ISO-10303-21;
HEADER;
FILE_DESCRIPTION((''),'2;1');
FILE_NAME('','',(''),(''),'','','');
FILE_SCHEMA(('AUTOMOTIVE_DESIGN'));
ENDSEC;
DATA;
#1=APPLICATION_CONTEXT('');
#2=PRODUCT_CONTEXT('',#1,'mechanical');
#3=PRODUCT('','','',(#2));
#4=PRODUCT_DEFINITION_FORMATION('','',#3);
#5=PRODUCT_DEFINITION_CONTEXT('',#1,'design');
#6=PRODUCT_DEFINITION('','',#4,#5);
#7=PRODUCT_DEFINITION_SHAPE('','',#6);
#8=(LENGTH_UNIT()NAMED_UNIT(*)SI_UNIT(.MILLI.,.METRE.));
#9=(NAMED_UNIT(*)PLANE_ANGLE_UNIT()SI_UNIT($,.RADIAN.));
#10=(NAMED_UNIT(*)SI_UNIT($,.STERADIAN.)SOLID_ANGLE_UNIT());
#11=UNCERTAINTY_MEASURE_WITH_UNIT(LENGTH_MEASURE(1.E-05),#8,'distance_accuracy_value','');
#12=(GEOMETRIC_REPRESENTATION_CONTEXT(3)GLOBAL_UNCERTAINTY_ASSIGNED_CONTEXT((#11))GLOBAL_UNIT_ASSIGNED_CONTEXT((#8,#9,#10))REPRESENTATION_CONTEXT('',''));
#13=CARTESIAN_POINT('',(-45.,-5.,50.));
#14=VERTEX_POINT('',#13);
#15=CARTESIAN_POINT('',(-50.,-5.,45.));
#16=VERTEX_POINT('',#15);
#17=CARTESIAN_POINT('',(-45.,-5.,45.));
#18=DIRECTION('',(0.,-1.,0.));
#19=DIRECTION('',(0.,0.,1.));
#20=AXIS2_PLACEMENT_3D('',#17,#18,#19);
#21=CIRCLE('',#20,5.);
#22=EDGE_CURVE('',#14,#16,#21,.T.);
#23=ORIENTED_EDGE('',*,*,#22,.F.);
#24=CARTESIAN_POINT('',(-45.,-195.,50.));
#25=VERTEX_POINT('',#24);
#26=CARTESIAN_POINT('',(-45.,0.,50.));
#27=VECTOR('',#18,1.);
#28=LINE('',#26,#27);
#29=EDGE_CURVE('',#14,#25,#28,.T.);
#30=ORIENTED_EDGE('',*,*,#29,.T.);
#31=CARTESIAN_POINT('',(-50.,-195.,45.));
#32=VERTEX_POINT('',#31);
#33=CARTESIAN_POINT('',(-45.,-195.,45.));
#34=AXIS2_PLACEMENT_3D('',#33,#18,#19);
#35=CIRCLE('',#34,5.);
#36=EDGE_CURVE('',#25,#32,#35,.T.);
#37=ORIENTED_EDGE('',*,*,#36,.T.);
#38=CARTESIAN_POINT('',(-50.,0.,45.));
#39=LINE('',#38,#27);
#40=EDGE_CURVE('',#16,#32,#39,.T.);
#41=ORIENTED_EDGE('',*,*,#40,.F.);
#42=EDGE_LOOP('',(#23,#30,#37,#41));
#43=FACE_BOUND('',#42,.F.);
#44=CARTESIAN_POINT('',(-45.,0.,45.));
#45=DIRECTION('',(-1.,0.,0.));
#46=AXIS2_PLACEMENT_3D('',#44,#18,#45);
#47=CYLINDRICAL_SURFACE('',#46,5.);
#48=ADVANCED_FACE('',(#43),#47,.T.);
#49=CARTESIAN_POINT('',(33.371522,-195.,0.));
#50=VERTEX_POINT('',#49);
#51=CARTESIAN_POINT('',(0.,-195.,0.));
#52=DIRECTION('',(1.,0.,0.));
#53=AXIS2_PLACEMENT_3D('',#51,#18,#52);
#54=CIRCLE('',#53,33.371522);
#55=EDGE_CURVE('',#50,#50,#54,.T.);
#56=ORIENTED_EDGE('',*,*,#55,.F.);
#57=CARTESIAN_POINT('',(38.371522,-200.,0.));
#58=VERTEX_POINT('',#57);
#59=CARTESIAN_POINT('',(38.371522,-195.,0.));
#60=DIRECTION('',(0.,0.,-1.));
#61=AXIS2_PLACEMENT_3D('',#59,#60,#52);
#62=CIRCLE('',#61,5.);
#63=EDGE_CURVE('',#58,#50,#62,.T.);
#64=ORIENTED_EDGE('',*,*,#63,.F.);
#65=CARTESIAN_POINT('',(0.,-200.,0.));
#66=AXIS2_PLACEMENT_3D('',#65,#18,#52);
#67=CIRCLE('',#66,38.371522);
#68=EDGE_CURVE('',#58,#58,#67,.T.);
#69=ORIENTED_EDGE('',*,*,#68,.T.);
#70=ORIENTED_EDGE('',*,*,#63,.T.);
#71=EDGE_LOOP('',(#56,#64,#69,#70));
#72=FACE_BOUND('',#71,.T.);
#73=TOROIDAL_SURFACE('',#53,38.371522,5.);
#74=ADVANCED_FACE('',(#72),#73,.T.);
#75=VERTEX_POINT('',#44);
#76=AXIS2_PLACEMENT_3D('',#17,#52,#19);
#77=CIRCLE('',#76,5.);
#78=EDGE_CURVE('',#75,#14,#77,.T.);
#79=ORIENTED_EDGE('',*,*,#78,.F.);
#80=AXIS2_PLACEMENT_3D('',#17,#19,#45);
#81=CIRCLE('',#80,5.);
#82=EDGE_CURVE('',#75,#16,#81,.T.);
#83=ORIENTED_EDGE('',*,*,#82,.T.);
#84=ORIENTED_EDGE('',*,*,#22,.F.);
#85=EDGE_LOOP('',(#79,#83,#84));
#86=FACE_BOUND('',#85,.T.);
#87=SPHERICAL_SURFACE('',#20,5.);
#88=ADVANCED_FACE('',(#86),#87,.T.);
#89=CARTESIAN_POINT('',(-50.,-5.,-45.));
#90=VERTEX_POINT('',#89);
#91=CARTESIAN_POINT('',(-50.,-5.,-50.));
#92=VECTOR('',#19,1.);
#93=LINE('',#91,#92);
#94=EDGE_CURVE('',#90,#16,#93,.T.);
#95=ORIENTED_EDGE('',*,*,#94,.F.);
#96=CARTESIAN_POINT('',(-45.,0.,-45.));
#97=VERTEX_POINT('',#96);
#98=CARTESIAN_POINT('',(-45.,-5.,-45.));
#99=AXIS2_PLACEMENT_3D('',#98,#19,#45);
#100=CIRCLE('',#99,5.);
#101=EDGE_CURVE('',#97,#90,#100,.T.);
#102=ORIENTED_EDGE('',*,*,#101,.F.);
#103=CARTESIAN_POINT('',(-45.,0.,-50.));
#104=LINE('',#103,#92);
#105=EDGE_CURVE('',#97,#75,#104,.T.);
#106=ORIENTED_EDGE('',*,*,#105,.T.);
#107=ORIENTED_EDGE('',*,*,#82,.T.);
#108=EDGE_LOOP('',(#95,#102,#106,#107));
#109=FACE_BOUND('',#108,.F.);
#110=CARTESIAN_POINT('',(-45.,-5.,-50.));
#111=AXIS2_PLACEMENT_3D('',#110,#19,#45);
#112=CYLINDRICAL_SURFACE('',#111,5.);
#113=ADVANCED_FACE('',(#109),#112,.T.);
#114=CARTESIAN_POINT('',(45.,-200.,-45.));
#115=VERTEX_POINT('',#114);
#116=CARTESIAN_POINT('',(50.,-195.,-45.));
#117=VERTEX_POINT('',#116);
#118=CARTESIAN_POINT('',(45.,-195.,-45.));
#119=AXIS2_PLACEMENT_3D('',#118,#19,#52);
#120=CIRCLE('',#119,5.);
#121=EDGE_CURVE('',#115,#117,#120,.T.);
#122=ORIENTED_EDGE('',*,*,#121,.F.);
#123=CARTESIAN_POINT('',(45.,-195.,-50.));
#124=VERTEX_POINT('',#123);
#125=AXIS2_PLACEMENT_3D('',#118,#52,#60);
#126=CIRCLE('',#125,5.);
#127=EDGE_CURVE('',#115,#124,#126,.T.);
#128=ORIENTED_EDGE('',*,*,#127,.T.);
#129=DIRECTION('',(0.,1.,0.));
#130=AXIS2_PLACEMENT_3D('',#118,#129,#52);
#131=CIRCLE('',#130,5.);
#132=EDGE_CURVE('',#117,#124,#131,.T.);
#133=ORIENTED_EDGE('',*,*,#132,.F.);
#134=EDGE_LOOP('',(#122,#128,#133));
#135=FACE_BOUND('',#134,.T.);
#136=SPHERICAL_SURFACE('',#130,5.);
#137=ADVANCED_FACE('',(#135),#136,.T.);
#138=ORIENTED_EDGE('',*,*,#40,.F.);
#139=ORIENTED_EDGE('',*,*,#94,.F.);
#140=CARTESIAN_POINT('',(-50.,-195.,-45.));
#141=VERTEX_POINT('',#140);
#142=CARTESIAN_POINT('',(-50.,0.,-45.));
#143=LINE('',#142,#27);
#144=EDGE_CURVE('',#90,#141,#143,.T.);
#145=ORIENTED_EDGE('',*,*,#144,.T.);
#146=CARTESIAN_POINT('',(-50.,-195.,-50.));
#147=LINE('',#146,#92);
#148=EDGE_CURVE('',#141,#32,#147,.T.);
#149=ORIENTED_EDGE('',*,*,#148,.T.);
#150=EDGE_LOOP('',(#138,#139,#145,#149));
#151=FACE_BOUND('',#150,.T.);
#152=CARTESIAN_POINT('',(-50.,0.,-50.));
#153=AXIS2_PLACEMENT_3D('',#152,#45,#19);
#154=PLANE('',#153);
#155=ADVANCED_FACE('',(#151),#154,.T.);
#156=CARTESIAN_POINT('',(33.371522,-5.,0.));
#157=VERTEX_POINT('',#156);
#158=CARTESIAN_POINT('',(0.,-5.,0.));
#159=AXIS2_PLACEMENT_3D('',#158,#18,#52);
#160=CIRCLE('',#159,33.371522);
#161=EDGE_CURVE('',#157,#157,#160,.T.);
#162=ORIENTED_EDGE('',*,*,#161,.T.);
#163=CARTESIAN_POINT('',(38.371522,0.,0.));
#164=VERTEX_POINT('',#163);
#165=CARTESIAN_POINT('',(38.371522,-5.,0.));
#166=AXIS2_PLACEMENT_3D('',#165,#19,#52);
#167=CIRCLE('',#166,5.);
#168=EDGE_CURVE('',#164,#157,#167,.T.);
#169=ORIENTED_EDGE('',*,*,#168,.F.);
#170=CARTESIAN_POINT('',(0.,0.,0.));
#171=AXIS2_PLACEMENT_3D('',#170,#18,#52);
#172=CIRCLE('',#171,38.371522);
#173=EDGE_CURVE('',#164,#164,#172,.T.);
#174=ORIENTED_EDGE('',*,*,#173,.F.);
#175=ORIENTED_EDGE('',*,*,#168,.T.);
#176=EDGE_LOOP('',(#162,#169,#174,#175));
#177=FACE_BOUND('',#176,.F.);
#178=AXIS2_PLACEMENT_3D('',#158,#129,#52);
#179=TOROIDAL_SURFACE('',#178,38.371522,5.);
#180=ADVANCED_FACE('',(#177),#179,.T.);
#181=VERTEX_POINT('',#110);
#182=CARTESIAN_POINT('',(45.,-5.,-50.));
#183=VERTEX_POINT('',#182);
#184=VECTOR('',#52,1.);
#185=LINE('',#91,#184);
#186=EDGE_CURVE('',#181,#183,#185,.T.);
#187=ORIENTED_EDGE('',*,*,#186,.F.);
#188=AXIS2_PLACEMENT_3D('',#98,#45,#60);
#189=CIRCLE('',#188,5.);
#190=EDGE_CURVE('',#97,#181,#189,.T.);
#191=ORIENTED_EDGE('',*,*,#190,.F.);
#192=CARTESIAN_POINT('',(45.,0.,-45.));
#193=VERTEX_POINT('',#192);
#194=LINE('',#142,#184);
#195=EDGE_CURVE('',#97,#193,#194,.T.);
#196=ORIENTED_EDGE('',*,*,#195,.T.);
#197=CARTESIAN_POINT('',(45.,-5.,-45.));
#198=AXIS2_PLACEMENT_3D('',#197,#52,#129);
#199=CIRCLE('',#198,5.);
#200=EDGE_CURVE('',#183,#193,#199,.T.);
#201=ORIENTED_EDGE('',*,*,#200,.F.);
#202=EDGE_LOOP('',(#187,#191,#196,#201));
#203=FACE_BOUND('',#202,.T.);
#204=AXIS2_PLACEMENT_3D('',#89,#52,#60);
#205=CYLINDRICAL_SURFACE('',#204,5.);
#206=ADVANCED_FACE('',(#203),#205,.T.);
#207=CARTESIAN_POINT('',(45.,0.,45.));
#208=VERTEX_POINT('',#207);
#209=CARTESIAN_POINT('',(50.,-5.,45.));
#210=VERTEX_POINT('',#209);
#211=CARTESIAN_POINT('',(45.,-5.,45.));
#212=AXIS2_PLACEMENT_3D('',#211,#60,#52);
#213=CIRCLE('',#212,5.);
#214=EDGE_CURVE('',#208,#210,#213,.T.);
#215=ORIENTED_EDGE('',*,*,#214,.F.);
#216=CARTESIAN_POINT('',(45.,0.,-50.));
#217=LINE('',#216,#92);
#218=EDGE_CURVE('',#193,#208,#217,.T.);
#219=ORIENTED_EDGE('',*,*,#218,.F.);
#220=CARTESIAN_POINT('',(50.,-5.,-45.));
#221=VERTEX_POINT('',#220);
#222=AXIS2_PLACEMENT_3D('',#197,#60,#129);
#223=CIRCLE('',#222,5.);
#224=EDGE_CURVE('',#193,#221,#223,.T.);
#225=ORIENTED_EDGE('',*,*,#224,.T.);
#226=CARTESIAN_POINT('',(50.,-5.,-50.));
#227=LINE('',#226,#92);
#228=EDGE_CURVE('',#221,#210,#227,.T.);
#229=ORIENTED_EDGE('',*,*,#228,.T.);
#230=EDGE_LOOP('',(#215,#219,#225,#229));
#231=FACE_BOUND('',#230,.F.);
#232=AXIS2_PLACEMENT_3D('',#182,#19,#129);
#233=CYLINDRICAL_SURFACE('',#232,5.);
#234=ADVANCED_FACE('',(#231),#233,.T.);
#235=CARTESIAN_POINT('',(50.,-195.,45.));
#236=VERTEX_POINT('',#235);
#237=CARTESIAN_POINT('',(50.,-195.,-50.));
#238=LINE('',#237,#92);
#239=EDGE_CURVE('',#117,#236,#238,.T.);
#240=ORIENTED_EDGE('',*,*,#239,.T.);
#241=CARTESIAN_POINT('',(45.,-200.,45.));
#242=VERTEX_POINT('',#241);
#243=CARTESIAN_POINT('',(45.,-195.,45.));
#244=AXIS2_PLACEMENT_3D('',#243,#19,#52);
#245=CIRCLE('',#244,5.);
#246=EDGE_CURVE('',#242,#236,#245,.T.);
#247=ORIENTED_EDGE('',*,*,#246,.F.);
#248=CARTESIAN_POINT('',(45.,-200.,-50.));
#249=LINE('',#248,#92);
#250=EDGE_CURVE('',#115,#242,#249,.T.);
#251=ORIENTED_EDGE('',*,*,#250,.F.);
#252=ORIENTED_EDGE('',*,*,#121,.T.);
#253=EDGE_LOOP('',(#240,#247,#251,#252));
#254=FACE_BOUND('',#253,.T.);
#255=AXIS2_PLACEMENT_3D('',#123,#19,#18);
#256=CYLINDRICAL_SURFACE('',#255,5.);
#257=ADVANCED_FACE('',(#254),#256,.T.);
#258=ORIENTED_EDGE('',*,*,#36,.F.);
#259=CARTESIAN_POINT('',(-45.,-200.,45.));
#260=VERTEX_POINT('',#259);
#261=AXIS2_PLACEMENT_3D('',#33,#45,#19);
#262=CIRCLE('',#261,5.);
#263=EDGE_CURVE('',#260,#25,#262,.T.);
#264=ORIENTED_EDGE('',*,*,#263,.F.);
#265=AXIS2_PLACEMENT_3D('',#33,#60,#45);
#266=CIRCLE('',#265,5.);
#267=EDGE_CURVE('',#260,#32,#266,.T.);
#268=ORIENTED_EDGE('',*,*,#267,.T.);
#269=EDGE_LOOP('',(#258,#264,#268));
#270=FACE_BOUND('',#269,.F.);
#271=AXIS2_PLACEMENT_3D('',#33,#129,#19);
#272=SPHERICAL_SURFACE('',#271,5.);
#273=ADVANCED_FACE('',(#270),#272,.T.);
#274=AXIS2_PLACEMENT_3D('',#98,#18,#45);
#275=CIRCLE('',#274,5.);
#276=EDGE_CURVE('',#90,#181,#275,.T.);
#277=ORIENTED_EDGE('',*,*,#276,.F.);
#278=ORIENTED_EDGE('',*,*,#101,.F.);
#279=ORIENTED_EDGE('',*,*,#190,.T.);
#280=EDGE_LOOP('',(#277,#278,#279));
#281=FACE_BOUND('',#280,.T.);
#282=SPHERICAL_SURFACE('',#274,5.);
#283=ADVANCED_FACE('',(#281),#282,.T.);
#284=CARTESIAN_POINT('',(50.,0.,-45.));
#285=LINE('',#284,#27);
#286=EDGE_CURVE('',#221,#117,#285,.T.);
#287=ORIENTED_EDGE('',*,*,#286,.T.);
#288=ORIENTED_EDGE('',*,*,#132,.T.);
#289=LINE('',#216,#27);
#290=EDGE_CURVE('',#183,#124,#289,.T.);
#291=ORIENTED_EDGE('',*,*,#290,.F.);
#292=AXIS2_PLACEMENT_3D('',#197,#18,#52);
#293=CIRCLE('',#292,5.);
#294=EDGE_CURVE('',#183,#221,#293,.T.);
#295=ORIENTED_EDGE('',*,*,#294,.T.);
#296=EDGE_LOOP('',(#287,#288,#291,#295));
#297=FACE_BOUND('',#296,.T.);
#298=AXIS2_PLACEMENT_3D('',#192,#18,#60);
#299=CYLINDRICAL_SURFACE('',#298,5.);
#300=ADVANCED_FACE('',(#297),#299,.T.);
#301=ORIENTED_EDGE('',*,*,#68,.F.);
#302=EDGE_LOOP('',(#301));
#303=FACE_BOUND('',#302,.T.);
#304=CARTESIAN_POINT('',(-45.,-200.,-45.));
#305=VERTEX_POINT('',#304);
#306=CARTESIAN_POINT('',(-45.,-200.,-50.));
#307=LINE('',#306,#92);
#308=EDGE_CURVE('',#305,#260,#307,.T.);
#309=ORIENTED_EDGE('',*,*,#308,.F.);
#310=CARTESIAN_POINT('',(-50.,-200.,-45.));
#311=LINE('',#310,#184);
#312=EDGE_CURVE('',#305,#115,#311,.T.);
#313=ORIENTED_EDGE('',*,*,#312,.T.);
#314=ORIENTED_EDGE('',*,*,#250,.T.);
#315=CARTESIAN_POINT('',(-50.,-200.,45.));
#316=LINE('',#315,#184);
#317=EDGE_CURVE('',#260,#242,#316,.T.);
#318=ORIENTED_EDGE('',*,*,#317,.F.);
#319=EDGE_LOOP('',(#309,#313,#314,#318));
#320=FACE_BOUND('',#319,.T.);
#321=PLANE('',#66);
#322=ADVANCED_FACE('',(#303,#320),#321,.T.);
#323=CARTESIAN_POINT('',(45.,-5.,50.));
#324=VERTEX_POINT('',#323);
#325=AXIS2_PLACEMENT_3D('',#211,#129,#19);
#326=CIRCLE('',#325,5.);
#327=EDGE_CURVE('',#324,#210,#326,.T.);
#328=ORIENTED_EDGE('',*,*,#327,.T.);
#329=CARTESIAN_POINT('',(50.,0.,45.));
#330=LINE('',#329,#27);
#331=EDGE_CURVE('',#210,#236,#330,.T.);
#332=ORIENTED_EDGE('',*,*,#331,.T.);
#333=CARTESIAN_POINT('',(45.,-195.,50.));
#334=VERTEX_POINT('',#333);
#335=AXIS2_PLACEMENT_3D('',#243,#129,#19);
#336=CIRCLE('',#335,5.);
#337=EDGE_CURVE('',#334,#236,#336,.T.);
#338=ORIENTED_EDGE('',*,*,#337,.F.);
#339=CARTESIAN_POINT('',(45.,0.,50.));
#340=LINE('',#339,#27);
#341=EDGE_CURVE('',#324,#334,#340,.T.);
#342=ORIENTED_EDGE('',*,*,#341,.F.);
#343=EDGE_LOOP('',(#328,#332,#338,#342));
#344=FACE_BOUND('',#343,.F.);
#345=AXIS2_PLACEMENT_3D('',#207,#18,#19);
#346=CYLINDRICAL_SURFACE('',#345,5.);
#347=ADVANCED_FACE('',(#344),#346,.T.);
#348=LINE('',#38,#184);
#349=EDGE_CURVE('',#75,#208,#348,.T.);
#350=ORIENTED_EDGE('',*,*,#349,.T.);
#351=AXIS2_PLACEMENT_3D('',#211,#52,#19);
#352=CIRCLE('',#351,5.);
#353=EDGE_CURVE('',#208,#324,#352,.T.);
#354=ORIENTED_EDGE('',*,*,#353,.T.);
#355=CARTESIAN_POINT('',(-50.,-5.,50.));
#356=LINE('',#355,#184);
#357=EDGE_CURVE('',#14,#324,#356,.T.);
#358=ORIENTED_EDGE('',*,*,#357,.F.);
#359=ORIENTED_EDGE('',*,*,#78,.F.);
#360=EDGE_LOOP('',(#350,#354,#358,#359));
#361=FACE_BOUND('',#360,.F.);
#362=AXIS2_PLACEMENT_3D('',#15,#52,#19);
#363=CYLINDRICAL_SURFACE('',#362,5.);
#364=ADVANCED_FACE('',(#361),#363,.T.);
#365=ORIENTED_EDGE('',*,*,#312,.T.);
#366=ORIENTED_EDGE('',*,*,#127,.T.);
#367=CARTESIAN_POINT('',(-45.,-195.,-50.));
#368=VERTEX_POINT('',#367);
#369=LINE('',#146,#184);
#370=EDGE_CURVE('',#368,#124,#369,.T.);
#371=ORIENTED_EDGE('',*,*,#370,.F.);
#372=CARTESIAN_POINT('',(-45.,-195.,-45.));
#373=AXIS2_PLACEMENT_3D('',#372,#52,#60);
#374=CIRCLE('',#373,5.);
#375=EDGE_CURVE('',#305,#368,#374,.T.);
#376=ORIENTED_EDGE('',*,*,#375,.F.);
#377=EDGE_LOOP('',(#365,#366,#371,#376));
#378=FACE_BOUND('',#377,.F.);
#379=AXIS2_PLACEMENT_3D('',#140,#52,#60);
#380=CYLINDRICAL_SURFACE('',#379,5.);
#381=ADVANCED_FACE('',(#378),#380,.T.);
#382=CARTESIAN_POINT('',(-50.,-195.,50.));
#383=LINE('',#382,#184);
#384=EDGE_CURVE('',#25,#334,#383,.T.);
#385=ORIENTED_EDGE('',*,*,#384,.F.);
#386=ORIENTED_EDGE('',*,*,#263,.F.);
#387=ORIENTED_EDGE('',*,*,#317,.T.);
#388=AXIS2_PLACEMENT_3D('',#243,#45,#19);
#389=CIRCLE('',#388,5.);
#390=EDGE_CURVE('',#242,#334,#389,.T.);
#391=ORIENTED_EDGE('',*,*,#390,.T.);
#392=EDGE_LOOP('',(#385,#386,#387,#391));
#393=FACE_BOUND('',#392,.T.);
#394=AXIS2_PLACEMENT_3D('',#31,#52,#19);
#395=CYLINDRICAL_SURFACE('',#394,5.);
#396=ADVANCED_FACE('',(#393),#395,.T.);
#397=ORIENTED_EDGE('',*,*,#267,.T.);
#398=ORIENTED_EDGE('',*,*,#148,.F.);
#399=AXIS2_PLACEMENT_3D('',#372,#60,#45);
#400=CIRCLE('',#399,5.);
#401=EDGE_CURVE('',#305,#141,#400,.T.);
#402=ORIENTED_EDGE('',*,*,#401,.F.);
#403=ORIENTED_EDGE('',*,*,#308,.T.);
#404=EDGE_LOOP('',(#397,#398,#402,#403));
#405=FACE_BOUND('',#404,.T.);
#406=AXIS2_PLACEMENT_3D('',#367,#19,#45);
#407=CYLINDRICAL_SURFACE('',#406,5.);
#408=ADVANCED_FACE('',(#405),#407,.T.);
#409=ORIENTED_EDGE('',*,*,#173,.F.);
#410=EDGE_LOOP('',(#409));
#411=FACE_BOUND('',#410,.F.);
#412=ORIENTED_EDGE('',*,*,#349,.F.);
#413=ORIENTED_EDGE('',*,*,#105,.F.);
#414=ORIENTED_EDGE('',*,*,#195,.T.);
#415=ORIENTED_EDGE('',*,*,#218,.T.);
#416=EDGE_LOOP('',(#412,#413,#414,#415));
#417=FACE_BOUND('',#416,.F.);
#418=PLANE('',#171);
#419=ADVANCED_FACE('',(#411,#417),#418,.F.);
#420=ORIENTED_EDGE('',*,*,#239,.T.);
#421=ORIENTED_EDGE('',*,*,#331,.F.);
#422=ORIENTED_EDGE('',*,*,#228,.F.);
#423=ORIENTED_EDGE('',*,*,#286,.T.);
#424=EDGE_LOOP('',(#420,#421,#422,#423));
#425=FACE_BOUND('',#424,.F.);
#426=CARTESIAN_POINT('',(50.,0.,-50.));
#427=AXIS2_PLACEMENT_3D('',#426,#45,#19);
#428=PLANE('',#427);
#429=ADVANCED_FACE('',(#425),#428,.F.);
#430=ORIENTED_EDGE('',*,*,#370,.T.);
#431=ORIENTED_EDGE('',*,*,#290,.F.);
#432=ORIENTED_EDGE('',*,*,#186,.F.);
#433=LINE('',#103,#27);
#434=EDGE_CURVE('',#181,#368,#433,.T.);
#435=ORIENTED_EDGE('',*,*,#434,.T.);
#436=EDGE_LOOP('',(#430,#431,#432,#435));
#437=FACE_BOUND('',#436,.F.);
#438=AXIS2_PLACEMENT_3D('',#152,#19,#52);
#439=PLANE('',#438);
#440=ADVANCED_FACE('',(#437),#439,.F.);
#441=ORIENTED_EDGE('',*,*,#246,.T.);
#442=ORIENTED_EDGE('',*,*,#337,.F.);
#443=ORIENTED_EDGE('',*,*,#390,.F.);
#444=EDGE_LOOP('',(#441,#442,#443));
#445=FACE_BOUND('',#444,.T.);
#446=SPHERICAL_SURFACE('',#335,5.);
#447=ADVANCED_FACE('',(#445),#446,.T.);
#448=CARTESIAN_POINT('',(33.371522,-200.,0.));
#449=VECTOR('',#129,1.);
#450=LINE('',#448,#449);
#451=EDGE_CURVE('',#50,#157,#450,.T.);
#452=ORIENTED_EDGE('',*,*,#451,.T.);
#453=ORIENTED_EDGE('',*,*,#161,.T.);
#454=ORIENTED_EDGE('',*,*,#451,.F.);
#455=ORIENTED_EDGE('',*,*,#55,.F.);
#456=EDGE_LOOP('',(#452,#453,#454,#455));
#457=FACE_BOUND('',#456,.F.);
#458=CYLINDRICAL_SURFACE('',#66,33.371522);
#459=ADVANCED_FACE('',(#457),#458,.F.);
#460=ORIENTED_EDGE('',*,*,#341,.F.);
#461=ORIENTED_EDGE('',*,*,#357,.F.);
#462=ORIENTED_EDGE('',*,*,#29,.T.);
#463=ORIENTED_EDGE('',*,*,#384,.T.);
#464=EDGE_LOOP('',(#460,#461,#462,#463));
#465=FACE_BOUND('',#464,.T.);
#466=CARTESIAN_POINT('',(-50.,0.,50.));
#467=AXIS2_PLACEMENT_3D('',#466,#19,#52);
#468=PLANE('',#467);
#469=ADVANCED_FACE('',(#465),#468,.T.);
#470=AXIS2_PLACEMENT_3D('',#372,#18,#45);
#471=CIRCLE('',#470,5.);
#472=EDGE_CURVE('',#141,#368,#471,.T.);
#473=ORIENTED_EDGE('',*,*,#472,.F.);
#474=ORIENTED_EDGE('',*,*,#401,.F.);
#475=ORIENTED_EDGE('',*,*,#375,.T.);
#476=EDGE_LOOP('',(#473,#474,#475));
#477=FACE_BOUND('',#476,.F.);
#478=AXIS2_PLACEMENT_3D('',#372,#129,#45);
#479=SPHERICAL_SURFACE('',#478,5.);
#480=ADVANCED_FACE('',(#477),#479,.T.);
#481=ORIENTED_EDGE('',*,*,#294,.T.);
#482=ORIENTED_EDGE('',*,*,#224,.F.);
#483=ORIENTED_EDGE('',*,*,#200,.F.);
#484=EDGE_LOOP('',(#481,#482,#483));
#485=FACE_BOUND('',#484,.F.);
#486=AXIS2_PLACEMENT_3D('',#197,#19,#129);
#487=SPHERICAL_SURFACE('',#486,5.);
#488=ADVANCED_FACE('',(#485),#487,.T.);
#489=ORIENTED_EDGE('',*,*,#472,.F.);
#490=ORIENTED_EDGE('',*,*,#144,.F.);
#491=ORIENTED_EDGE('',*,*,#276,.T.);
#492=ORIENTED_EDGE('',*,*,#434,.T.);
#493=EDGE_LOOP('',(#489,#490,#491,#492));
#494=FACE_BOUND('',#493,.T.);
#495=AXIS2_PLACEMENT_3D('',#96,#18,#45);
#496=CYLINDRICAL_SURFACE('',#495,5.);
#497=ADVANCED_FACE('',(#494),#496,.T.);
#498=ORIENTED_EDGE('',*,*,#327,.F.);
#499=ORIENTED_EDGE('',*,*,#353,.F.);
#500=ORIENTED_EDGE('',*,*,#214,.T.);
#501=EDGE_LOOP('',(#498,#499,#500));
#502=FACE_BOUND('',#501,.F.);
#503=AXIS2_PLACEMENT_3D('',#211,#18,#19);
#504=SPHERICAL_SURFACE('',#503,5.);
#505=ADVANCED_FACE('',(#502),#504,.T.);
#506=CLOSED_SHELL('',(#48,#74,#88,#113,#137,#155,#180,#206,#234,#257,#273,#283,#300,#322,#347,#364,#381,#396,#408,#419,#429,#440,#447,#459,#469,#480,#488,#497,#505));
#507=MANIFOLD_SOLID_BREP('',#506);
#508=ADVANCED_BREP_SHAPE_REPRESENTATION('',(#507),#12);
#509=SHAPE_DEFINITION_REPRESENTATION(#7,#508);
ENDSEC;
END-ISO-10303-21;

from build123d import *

# Parameters (mm, degrees)
F0_W     = 100
F0_H     = 100
F1_DEPTH = 200
F2_R     = 33.3715216042
F3_DEPTH = 273
F4_R     = 5


with BuildPart() as f1:
    # F0 (on Front) → F1 (new body)
    with BuildSketch(Plane.XZ):
        Rectangle(F0_W, F0_H)
    extrude(amount=F1_DEPTH)

    # F2 (on face) → F3 (cut)
    with BuildSketch(Plane.XZ.offset(200)):
        Circle(F2_R)
    extrude(amount=-F3_DEPTH, mode=Mode.SUBTRACT)

    # F4
    f4_edges = [f1.edges().sort_by_distance(p)[0] for p in [
        (50, -100, 50),
        (-50, -100, 50),
        (0, 0, 50),
        (0, -200, 50),
        (-50, -100, -50),
        (-50, 0, 0),
        (-50, -200, 0),
        (50, 0, 0),
        (0, 0, -50),
        (-33.371522, 0, 0),
        (50, -100, -50),
        (50, -200, 0),
        (0, -200, -50),
        (-33.371522, -200, 0),
    ]]
    fillet(f4_edges, radius=F4_R)


solid = f1.part
